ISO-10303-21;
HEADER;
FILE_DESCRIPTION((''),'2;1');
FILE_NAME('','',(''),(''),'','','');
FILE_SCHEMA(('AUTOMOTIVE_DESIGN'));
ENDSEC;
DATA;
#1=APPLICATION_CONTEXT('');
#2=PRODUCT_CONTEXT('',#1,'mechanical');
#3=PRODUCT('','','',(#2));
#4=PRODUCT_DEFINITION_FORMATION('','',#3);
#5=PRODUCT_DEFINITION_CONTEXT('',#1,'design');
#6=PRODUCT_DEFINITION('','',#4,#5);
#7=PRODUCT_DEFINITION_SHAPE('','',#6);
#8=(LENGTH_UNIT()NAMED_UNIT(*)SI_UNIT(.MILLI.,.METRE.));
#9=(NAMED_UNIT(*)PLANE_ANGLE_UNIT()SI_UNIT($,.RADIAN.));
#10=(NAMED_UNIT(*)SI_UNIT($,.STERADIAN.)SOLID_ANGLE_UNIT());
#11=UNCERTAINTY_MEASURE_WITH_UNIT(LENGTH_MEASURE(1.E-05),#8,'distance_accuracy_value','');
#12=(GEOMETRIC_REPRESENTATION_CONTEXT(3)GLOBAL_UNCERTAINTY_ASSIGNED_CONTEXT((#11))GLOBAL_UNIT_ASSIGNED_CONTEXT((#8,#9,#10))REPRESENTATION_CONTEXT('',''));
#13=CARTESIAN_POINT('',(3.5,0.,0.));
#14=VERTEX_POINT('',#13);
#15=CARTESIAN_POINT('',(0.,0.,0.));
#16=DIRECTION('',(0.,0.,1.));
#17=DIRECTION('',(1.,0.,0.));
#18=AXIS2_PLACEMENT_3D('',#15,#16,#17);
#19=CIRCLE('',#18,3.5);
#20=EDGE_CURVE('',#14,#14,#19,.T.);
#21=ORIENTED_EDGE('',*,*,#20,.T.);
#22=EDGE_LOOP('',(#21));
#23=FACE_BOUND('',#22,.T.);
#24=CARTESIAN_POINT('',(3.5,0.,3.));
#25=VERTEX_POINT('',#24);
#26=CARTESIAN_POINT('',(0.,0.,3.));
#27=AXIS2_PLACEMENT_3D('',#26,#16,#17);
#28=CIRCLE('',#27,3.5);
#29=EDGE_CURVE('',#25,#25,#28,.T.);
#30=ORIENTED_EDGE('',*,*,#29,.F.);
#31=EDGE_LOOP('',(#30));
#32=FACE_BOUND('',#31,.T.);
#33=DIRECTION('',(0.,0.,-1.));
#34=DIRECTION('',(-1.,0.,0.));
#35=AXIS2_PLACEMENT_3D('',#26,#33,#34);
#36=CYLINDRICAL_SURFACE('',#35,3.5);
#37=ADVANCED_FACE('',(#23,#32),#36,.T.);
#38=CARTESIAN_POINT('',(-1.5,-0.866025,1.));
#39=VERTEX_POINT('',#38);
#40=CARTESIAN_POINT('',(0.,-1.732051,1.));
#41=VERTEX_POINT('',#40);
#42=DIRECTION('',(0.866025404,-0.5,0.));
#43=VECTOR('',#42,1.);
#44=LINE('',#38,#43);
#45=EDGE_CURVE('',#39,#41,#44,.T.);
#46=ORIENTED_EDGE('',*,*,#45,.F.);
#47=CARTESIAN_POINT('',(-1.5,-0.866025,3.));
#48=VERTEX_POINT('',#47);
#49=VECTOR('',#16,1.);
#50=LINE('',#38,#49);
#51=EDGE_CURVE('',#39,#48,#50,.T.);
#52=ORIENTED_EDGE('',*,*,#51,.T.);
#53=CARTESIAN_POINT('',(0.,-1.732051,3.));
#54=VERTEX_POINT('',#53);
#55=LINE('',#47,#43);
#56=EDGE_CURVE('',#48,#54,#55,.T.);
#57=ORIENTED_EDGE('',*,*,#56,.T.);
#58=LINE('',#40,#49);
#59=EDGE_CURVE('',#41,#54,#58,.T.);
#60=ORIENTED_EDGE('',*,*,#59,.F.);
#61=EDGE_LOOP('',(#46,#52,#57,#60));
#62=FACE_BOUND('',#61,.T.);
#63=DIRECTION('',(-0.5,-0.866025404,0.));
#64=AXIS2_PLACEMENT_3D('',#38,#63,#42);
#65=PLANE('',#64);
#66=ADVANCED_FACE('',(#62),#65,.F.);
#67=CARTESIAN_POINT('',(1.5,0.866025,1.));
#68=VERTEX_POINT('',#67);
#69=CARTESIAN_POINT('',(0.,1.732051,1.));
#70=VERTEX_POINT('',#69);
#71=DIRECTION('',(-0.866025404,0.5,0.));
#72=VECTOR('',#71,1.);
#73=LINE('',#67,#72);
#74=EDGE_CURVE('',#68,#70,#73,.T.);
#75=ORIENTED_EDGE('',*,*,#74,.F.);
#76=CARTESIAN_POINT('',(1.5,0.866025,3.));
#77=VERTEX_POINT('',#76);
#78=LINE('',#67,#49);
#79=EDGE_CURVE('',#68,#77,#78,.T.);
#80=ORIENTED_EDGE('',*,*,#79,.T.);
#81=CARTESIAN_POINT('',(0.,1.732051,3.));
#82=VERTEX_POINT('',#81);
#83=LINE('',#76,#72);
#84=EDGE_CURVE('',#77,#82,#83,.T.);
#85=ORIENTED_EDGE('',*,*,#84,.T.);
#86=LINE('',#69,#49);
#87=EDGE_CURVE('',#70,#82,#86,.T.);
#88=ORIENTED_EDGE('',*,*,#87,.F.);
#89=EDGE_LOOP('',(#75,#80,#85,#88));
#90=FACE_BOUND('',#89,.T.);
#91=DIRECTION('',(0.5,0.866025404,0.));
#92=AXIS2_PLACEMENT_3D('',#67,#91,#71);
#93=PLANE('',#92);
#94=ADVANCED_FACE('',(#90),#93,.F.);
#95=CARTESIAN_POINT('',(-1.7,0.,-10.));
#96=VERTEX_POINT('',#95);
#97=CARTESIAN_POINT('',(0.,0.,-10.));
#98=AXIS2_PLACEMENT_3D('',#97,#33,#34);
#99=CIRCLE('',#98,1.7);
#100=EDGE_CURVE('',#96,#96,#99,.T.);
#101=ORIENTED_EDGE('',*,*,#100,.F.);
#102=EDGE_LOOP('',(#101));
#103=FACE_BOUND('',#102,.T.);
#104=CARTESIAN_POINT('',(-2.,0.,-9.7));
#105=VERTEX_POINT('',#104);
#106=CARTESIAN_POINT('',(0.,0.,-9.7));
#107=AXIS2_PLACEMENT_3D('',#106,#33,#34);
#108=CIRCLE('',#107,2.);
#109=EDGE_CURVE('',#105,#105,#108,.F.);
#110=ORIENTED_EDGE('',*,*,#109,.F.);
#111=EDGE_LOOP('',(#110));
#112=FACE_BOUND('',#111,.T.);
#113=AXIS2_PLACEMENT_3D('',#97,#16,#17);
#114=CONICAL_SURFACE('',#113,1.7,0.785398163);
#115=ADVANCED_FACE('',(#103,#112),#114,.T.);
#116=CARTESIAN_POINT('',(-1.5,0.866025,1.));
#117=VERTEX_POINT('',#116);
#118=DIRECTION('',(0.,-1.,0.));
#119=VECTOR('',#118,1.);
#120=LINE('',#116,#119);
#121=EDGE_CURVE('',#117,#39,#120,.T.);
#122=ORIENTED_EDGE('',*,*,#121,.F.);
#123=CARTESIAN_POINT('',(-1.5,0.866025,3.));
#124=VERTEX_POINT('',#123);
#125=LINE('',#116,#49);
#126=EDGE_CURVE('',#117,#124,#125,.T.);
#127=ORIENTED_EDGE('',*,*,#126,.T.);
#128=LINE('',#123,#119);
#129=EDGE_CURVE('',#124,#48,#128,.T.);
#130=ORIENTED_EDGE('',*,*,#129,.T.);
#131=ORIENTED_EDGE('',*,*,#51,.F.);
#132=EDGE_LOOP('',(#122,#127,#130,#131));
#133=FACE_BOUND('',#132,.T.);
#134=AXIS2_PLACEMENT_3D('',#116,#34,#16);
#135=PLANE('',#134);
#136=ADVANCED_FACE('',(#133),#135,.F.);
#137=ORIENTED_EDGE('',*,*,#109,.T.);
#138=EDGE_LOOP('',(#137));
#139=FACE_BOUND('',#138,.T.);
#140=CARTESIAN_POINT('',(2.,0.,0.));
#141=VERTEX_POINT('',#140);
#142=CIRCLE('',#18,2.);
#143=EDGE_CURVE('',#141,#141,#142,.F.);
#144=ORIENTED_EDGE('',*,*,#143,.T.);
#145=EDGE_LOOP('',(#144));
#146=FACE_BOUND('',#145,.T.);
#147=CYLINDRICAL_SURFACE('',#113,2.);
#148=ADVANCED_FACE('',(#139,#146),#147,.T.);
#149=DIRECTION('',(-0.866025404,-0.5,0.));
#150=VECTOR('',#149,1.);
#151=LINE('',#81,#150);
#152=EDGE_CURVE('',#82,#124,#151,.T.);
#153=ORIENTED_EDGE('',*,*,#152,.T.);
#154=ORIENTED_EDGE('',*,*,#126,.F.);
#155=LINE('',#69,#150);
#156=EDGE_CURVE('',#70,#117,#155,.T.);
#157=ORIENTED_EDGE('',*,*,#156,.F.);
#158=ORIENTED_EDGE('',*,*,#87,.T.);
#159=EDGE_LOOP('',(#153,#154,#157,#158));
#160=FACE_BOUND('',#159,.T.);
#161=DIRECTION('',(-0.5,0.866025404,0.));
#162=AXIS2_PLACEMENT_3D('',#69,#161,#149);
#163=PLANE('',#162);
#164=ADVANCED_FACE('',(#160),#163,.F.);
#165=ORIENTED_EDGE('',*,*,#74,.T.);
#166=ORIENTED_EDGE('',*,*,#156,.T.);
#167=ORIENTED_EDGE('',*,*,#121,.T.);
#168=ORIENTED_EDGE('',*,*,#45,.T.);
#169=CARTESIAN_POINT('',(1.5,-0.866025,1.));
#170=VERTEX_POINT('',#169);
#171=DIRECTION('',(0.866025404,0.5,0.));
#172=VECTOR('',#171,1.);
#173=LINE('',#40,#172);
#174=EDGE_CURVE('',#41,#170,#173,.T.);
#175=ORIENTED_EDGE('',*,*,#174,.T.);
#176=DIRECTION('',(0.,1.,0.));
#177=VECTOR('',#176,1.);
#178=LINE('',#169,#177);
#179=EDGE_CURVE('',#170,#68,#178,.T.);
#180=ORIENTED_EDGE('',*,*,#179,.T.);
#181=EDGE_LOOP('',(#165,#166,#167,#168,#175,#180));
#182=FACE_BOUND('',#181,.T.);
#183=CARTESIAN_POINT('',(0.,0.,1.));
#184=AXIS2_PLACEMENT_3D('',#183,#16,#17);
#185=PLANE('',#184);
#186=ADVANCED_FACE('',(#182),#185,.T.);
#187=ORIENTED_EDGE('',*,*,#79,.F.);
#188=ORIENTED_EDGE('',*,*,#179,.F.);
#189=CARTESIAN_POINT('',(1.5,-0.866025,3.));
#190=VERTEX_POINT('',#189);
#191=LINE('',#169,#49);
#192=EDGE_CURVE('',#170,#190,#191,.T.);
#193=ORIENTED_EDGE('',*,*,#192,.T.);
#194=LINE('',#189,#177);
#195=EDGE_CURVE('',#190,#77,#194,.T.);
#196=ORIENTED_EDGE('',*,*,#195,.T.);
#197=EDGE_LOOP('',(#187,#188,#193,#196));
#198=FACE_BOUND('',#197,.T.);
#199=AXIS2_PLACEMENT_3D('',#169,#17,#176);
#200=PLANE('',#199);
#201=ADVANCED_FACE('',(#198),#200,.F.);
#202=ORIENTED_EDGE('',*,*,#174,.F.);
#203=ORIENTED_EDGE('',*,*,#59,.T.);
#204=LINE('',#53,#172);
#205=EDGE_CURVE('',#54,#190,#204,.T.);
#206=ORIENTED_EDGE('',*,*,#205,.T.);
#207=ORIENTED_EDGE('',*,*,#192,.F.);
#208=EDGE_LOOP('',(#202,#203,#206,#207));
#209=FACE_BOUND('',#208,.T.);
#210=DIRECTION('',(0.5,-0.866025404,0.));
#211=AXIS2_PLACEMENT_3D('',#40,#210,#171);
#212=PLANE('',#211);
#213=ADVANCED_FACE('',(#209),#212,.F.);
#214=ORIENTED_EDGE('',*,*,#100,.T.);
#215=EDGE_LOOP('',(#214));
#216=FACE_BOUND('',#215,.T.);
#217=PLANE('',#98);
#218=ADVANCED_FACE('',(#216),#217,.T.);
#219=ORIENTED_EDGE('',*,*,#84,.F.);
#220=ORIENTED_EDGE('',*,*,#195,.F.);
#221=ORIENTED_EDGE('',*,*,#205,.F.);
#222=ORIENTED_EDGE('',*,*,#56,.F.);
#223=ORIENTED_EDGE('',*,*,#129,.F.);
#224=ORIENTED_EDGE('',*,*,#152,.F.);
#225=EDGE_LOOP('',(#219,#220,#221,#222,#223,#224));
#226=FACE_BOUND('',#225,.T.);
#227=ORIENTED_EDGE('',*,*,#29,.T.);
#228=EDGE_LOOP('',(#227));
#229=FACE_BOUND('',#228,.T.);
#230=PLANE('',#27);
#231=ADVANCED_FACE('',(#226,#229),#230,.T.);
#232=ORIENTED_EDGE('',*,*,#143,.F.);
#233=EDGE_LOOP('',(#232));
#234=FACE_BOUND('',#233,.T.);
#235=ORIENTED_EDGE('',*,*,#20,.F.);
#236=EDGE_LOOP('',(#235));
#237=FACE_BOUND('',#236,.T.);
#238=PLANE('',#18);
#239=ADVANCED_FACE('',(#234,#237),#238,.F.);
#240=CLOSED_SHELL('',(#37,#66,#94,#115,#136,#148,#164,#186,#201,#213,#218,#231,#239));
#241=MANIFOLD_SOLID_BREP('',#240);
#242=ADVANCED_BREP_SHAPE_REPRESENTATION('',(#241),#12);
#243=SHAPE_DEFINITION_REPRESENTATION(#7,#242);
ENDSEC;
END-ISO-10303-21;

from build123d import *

# Parameters (mm, degrees)
SKETCH1_R           = 3.5
BOSS_EXTRUDE1_DEPTH = 3
SKETCH2_R           = 2
BOSS_EXTRUDE2_DEPTH = 10
CHAMFER1_SIZE       = 0.3
CUT_EXTRUDE1_DEPTH  = 2


with BuildPart() as part:
    # Sketch1 → Boss-Extrude1 (new body)
    with BuildSketch(Plane.XY):
        Circle(SKETCH1_R)
    extrude(amount=BOSS_EXTRUDE1_DEPTH)

    # Sketch2 → Boss-Extrude2 (add)
    with BuildSketch(Plane(origin=(0, 0, 0), x_dir=(-1, 0, 0), z_dir=(0, 0, -1))):
        Circle(SKETCH2_R)
    extrude(amount=BOSS_EXTRUDE2_DEPTH)

    # Chamfer1
    chamfer1_edges = [part.edges().sort_by_distance(p)[0] for p in [
        (2, 0, -10),
    ]]
    chamfer(chamfer1_edges, length=CHAMFER1_SIZE)

    # Sketch3 → Cut-Extrude1 (cut)
    with BuildSketch(Plane.XY.offset(3)):
        Polygon((0, 1.732050808), (-1.5, 0.866025404), (-1.5, -0.866025404), (0, -1.732050808), (1.5, -0.866025404), (1.5, 0.866025404), align=None)
    extrude(amount=-CUT_EXTRUDE1_DEPTH, mode=Mode.SUBTRACT)


solid = part.part
